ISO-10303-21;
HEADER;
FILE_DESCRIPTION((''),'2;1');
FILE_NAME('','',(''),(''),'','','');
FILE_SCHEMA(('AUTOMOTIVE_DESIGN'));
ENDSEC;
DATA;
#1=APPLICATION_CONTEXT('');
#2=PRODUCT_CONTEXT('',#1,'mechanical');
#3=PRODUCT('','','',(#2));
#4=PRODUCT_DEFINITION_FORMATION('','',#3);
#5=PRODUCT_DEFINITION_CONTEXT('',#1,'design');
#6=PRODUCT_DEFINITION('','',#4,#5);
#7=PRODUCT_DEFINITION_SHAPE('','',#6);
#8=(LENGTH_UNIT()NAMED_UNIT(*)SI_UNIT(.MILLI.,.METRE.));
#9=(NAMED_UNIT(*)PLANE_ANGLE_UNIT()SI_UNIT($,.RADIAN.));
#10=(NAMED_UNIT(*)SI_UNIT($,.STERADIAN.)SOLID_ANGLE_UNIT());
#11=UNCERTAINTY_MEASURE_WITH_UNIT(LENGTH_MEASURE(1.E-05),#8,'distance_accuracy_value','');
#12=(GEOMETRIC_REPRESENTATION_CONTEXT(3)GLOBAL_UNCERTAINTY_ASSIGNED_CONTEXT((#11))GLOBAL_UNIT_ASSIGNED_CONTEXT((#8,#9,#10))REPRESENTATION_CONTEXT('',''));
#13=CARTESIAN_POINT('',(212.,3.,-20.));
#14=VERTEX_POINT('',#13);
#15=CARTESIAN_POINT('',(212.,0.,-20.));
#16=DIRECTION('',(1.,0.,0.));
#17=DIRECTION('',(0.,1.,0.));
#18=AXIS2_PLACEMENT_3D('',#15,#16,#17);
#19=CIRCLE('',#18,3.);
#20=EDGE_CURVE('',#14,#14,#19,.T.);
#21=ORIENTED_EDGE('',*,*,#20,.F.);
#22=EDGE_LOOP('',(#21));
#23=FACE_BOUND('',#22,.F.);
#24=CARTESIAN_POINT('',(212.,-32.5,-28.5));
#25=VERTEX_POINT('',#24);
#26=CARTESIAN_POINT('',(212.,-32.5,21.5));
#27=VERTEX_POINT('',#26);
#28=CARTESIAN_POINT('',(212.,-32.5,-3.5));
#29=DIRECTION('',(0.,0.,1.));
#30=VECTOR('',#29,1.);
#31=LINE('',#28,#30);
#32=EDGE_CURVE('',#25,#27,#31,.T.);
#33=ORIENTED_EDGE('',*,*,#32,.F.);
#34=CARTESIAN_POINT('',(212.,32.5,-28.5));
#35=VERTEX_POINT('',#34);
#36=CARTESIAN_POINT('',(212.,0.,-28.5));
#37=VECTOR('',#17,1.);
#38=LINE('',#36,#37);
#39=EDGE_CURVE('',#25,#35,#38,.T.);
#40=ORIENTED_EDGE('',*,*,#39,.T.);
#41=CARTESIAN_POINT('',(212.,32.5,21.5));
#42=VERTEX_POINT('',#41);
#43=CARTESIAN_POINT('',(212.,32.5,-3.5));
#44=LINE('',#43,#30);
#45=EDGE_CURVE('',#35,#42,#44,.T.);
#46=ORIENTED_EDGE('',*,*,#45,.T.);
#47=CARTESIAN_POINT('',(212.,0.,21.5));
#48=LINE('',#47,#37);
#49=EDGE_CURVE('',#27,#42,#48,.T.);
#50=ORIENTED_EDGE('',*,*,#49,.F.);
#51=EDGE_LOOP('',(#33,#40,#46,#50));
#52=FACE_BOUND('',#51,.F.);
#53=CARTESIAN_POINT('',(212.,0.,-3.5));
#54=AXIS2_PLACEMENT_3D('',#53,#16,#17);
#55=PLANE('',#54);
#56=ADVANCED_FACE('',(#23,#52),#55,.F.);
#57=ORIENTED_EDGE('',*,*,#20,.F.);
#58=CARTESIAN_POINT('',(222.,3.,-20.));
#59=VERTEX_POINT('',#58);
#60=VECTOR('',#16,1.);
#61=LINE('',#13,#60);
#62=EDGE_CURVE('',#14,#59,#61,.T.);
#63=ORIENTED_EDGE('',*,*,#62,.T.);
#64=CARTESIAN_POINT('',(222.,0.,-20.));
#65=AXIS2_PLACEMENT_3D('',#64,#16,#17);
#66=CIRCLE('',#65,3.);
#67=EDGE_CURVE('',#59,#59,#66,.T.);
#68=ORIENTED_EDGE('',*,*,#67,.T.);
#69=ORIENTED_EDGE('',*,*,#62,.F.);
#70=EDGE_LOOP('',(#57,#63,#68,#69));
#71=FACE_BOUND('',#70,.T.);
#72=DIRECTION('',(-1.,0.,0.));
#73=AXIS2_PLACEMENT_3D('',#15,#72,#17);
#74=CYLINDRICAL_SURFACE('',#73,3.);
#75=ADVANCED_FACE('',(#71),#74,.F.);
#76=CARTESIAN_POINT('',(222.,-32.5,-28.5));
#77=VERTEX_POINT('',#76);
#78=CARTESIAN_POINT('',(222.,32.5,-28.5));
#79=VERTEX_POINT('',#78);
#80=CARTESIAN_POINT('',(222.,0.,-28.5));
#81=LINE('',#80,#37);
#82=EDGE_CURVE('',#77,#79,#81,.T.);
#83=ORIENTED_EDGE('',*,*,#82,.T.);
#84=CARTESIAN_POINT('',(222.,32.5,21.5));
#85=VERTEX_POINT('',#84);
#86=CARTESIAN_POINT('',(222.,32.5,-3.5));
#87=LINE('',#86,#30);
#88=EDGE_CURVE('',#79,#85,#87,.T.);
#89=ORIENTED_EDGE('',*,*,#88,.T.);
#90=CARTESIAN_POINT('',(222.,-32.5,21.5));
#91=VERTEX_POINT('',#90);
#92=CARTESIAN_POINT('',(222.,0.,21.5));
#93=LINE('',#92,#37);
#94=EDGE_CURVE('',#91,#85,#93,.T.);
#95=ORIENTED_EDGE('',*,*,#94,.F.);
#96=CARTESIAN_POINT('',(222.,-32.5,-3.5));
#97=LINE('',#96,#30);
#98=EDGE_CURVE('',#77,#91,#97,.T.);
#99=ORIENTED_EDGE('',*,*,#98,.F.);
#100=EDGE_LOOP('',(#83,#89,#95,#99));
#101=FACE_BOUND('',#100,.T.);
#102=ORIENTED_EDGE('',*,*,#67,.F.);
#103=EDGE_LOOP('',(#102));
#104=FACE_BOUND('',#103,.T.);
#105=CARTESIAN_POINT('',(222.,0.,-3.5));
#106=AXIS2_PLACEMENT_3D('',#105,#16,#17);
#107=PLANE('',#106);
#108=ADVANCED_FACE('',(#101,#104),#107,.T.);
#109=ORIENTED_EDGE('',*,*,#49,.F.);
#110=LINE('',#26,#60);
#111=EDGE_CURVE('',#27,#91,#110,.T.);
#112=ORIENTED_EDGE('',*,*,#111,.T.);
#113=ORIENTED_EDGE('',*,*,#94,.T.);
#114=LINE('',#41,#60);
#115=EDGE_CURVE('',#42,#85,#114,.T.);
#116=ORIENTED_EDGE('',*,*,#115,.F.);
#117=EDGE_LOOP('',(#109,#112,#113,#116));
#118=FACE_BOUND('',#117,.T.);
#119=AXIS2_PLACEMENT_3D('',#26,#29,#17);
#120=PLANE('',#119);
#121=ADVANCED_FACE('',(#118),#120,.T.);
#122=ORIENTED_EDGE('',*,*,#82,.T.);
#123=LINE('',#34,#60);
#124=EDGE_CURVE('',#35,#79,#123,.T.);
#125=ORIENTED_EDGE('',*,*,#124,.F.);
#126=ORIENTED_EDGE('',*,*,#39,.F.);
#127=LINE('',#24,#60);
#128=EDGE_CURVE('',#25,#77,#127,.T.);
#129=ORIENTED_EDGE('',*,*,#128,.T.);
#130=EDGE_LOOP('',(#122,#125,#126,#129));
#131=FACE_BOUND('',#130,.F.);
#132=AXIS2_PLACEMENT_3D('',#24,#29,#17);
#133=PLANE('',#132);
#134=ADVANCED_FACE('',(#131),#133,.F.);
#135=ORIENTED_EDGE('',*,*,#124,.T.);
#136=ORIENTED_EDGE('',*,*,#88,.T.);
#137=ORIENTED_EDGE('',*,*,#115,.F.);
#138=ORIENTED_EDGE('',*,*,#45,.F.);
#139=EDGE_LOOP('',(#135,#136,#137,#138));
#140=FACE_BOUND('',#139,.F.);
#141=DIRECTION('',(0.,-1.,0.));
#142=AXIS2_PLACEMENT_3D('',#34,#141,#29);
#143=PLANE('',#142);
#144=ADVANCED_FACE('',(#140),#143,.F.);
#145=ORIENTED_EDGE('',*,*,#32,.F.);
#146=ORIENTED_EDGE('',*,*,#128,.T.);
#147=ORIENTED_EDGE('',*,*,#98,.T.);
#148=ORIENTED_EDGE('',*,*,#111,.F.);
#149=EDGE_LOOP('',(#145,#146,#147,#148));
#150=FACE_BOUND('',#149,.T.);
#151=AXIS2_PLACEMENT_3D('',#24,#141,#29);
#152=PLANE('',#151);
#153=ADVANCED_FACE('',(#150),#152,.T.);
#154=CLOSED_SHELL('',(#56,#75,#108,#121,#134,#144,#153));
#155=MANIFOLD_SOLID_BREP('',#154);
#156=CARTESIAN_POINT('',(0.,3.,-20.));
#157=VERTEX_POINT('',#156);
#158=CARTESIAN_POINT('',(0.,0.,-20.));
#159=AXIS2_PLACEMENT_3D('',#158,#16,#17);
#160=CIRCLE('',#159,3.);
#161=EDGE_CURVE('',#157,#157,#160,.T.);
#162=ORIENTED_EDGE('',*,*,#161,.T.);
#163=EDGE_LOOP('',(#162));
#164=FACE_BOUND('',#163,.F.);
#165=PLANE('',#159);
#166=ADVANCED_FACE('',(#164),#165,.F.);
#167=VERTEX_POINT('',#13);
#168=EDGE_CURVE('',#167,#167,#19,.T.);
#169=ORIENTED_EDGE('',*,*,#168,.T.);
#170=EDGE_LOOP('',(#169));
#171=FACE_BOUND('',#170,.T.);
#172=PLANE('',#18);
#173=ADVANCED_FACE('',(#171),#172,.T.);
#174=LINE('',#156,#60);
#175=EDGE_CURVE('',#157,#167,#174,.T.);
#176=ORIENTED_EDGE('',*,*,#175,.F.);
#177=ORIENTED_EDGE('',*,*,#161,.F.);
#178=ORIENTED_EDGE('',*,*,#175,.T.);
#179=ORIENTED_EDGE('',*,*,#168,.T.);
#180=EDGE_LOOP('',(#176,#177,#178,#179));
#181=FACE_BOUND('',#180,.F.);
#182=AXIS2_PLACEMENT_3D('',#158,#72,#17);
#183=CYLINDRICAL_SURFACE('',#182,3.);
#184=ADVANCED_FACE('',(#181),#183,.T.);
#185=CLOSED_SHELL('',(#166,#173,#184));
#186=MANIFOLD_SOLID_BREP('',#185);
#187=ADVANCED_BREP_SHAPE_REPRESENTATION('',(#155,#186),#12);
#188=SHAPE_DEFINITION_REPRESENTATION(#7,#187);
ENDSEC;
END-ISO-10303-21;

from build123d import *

# Parameters (mm, degrees)
F0_R     = 3
F1_DEPTH = 212
F2_W     = 65
F2_H     = 50
F2_R     = 3
F3_DEPTH = 10


with BuildPart() as f1:
    # F0 (on Right) → F1 (new body)
    with BuildSketch(Plane.YZ):
        with Locations((0, -20)):
            Circle(F0_R)
    extrude(amount=F1_DEPTH)

    # F2 (on face) → F3 (join)
    with BuildSketch(Plane.YZ.offset(212)):
        with Locations((0, -3.5)):
            Rectangle(F2_W, F2_H)
        with Locations((0, -20)):
            Circle(F2_R, mode=Mode.SUBTRACT)
    extrude(amount=F3_DEPTH)


solid = f1.part
